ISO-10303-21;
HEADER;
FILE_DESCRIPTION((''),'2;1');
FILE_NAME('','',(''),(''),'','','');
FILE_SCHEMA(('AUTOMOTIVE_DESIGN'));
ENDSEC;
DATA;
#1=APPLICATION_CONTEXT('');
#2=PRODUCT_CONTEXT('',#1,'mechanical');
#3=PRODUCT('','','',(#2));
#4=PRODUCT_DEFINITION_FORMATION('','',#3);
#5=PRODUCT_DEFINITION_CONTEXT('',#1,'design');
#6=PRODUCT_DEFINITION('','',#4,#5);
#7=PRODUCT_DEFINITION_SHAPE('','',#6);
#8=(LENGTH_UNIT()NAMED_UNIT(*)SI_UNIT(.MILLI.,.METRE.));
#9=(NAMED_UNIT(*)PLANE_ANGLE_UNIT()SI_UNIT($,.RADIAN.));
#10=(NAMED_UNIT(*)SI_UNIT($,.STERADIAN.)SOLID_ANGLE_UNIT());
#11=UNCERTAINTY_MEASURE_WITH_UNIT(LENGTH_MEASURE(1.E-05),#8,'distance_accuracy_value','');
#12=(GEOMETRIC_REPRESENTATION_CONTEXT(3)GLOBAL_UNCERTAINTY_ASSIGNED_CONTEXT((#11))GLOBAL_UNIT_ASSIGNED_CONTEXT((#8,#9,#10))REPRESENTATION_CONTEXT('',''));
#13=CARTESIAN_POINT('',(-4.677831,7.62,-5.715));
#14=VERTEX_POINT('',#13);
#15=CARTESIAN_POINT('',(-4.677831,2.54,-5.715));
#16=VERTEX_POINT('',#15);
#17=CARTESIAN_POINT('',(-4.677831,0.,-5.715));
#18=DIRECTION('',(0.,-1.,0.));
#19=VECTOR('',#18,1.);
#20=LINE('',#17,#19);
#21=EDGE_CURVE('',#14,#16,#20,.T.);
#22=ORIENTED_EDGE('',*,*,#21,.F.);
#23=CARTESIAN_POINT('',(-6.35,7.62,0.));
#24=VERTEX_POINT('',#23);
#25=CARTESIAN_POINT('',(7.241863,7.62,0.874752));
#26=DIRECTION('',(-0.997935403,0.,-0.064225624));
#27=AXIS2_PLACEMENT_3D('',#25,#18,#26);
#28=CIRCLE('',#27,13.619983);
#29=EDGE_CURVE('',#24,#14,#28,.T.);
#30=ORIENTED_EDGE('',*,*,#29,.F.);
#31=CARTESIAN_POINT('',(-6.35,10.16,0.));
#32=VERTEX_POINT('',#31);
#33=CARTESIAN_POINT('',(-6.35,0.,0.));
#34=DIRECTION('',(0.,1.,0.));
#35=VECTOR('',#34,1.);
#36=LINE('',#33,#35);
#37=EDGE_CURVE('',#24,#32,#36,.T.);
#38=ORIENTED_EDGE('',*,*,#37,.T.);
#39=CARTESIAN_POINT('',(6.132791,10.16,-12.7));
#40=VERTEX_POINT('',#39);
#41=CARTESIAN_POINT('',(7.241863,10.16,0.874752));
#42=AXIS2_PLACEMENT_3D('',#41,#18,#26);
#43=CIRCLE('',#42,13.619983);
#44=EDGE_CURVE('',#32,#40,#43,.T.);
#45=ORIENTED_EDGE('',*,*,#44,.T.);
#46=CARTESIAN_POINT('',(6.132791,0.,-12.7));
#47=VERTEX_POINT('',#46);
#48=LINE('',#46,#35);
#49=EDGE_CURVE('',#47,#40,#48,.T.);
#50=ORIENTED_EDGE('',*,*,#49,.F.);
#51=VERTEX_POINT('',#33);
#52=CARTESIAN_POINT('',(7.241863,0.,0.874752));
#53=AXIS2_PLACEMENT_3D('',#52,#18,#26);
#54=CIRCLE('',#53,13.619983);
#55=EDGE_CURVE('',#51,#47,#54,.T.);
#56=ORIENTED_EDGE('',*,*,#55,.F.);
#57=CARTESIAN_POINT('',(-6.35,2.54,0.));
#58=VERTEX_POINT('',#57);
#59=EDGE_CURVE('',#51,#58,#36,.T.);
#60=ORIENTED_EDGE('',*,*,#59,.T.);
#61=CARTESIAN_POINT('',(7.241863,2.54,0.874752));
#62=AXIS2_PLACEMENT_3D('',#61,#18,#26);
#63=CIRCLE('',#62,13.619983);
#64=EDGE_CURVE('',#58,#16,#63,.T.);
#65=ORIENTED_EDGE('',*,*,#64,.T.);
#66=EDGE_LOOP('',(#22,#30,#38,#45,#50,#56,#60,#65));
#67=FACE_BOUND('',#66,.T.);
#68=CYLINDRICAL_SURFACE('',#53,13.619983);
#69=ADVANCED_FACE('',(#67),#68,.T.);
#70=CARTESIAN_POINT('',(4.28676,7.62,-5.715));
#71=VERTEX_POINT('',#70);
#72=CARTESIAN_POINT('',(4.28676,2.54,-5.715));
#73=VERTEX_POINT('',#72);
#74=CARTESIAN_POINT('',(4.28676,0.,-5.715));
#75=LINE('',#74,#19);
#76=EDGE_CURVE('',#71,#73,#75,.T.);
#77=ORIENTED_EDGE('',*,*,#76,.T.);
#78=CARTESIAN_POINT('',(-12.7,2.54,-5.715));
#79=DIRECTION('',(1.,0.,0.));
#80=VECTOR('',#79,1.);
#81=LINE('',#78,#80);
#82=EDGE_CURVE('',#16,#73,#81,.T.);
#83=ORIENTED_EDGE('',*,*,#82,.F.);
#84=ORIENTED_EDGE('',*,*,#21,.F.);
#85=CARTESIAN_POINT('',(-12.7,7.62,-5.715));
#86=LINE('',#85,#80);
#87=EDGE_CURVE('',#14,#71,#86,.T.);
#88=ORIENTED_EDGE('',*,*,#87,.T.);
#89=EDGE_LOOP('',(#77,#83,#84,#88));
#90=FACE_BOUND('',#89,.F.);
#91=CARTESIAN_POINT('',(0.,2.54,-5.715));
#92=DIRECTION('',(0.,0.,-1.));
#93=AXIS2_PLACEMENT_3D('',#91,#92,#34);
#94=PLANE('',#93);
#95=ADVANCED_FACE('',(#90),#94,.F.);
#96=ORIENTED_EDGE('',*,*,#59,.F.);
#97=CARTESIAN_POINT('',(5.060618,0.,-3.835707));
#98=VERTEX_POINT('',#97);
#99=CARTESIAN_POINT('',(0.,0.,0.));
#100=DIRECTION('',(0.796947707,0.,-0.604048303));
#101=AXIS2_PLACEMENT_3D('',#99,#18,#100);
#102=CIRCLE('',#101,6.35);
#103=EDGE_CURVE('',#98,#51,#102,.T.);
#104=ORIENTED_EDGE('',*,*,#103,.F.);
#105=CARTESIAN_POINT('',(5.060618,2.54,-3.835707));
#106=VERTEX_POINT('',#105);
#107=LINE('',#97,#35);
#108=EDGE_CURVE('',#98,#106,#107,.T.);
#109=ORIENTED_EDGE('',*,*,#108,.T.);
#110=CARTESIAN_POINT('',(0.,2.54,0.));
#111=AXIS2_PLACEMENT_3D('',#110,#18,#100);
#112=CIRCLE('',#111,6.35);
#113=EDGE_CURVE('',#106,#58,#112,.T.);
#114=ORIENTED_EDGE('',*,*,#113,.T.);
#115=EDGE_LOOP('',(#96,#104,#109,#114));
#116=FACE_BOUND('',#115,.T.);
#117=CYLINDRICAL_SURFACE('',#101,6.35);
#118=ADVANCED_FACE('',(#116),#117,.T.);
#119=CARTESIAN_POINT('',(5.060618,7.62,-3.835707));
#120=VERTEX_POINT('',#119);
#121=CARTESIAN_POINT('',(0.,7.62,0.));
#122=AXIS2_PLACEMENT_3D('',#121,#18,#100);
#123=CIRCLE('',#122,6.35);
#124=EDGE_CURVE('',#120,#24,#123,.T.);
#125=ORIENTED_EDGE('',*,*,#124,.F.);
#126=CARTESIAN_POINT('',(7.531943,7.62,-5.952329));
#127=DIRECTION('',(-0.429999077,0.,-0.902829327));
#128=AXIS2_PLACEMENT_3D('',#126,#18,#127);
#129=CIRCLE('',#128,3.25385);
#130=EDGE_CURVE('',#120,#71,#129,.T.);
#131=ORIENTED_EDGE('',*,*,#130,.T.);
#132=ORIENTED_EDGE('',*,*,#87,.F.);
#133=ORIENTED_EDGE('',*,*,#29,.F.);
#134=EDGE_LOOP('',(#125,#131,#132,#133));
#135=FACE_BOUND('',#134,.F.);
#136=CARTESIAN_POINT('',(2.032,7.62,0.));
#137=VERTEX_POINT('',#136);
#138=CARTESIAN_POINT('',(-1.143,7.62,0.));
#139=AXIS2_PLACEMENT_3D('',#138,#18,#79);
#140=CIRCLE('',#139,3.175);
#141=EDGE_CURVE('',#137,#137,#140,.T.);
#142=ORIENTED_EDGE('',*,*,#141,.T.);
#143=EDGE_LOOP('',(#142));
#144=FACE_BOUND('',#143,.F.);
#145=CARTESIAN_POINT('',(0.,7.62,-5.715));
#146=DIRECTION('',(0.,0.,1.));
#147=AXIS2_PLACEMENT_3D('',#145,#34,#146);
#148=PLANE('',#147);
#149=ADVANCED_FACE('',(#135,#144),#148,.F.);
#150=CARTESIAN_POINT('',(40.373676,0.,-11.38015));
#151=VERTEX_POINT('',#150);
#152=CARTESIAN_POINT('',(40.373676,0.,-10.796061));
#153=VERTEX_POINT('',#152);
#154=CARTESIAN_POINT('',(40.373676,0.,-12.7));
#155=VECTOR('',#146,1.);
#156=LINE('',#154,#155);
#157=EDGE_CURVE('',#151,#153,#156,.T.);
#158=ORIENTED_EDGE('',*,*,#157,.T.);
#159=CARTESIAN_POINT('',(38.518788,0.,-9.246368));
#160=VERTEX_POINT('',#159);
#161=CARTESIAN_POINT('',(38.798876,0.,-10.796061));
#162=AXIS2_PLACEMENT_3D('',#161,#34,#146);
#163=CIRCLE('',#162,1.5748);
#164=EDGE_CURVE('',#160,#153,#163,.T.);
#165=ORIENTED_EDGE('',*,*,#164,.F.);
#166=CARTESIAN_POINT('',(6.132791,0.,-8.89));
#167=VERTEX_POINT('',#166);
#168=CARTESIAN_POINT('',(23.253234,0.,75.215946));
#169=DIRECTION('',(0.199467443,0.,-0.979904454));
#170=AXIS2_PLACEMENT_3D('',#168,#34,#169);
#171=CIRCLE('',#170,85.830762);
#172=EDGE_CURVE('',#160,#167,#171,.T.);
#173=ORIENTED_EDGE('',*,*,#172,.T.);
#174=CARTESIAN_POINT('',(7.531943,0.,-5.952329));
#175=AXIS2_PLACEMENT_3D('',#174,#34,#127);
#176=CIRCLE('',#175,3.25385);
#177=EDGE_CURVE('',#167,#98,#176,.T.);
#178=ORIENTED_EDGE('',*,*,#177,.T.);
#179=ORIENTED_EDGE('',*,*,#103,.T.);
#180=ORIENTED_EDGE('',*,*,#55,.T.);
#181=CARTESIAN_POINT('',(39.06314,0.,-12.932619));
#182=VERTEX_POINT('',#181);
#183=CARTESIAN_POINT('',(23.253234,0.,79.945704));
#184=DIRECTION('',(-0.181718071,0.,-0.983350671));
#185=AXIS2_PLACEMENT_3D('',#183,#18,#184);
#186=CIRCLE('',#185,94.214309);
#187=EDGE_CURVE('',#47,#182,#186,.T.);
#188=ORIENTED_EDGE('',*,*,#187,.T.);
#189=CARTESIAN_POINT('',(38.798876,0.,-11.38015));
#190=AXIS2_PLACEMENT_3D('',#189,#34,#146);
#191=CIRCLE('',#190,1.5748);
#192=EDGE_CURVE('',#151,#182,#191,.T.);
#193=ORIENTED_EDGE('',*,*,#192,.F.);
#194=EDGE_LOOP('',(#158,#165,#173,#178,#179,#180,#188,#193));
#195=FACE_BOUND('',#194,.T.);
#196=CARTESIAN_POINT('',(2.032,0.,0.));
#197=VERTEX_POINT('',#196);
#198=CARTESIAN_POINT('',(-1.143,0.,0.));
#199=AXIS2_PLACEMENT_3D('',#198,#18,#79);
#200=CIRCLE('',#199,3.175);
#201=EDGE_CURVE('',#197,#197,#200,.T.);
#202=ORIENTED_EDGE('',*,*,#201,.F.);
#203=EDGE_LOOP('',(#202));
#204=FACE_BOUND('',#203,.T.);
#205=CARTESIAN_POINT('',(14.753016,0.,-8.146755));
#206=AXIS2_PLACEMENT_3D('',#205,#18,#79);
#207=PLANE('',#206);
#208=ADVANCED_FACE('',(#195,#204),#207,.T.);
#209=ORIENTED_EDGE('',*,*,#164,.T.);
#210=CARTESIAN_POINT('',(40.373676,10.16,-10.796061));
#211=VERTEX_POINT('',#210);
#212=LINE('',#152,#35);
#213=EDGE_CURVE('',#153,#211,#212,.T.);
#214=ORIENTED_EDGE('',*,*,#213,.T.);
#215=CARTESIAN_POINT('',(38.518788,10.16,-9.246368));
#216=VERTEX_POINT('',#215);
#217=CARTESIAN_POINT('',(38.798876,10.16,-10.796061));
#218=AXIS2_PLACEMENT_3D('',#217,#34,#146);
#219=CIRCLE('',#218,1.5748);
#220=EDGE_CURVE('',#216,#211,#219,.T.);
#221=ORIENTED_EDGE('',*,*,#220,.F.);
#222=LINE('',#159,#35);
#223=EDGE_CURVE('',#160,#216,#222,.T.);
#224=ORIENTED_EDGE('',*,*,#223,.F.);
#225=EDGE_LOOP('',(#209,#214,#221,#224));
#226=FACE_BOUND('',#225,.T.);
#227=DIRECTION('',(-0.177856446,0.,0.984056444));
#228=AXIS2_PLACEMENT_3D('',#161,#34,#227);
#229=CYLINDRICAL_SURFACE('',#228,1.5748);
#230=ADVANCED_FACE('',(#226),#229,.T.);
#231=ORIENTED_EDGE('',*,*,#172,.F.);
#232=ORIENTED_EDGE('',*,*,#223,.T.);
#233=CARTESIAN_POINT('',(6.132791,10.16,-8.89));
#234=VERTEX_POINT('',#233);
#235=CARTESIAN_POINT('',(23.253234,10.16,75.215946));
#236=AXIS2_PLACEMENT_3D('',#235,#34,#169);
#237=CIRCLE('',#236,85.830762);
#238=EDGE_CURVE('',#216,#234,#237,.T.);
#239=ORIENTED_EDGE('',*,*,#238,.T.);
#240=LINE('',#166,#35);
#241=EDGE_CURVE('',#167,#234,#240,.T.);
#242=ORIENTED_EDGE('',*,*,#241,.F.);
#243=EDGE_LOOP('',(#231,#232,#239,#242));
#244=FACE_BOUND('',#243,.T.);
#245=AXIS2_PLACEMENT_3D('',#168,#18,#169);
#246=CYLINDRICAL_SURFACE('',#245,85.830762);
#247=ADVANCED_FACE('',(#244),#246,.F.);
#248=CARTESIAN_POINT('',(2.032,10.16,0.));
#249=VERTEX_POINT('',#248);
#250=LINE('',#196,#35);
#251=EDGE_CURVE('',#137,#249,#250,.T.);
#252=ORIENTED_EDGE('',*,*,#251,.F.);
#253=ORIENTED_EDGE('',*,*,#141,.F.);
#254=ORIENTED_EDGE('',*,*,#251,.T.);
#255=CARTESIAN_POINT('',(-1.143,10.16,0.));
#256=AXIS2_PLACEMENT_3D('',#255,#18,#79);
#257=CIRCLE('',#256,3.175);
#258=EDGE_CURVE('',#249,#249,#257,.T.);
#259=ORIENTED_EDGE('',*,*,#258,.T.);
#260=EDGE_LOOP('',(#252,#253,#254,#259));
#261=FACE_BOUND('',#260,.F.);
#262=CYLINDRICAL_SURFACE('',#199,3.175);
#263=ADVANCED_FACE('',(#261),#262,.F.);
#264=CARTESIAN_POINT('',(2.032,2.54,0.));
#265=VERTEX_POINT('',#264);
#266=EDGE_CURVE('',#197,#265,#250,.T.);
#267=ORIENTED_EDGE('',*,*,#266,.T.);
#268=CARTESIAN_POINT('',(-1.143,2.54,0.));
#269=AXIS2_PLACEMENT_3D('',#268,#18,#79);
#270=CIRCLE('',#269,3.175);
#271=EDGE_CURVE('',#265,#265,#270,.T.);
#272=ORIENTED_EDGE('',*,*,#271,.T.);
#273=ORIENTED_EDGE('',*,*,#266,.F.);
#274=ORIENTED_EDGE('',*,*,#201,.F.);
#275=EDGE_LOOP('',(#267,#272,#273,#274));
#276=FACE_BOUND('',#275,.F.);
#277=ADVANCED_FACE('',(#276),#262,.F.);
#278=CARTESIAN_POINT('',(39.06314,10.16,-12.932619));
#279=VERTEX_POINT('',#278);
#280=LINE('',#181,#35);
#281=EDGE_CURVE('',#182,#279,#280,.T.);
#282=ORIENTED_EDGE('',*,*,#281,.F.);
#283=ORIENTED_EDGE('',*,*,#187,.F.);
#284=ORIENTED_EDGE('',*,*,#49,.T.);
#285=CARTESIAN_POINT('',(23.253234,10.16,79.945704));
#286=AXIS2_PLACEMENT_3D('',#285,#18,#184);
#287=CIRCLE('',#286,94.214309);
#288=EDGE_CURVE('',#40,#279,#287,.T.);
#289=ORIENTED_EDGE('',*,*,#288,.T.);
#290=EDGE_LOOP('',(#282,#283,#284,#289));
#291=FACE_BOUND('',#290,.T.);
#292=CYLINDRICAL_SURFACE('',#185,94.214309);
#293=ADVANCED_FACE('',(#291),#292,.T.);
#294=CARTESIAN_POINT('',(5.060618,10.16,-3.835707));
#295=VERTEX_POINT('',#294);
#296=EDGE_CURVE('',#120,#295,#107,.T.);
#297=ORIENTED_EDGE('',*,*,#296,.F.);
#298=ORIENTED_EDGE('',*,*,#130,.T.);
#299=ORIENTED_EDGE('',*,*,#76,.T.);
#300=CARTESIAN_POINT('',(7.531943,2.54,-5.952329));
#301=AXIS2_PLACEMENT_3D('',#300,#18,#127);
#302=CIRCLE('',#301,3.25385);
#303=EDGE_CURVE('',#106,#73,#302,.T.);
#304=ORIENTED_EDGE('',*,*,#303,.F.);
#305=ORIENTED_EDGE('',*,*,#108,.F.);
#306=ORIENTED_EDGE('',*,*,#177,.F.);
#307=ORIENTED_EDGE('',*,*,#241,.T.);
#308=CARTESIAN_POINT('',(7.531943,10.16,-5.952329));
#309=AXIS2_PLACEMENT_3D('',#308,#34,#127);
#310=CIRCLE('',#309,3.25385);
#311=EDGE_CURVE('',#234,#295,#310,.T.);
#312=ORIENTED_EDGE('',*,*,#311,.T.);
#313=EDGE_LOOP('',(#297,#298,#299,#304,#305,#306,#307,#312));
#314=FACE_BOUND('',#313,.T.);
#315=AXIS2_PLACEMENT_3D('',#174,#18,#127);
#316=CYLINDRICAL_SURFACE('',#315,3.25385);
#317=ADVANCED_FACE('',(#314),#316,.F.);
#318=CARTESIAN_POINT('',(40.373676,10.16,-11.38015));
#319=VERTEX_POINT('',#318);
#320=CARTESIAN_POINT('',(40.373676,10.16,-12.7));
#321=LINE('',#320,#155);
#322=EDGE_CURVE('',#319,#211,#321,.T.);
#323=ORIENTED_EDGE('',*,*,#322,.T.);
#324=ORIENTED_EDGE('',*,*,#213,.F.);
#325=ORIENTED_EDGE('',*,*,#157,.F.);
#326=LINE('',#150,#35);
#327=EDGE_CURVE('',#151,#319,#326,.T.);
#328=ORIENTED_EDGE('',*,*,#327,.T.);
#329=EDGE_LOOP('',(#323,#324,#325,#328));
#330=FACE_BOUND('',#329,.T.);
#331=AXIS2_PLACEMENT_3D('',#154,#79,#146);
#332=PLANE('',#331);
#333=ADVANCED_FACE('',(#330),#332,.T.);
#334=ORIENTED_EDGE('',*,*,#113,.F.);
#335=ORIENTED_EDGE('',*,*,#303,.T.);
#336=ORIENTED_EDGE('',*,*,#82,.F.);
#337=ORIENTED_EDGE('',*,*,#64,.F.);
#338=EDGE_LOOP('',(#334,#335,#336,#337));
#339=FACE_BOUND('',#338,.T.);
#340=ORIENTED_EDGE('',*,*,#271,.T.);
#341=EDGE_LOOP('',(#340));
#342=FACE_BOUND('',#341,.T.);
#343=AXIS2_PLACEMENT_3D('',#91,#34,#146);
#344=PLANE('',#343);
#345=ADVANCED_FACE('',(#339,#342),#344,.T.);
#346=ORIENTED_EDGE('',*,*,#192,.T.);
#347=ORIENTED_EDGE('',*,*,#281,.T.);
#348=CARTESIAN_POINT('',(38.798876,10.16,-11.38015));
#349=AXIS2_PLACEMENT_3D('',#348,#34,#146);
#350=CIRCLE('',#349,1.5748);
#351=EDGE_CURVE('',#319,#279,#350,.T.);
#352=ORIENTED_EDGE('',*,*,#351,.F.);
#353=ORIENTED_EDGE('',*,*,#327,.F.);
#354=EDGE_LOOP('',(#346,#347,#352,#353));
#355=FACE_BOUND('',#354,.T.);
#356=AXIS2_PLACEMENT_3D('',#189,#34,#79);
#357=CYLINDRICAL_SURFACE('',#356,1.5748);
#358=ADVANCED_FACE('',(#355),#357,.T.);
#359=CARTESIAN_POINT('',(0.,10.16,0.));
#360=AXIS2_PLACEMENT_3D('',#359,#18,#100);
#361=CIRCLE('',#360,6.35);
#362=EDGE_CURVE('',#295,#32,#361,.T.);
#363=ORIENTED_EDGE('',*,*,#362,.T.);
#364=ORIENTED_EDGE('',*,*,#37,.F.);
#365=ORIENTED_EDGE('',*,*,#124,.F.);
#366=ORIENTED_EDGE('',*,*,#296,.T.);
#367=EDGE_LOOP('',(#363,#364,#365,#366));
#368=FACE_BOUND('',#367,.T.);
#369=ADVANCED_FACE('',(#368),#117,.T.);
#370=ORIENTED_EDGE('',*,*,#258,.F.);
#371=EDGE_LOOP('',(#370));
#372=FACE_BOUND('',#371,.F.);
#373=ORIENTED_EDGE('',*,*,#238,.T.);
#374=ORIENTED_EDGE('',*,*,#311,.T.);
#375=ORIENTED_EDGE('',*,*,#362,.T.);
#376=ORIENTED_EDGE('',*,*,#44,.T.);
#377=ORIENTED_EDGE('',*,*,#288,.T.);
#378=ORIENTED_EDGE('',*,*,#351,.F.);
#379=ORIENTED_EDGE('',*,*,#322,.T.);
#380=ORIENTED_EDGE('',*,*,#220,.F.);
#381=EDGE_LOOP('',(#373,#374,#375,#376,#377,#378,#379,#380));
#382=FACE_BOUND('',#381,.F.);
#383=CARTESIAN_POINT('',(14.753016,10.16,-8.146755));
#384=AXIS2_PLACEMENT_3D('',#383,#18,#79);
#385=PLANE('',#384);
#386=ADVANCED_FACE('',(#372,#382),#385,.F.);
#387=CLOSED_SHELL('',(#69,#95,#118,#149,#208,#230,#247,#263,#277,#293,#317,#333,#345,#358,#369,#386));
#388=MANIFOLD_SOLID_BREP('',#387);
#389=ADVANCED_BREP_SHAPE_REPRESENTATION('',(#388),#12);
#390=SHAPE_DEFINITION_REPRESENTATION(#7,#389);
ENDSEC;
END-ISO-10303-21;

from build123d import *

# Parameters (mm, degrees)
F0_R     = 3.175
F1_DEPTH = 10.16
F2_W     = 5.08
F2_H     = 13.335
F3_DEPTH = 12.7
F4_R     = 1.5748


with BuildPart() as f1:
    # F0 (on Front) → F1 (new body)
    with BuildSketch(Plane.XZ):
        with BuildLine():
            ThreePointArc((6.132791, -8.89), (4.348923, -6.627547), (5.060618, -3.835707))
            ThreePointArc((5.060618, -3.835707), (2.023311, 6.019029), (-6.35, 0))
            ThreePointArc((-6.35, 0), (-2.471626, -8.672607), (6.132791, -12.7))
            ThreePointArc((6.132791, -12.7), (23.253233, -14.268605), (40.373676, -12.7))
            Line((40.373676, -12.7), (40.373676, -8.89))
            ThreePointArc((40.373676, -8.89), (23.253233, -10.614816), (6.132791, -8.89))
        make_face()
        with Locations((-1.143, 0)):
            Circle(F0_R, mode=Mode.SUBTRACT)
    extrude(amount=-F1_DEPTH)

    # F2 (on Right) → F3 (cut, symmetric)
    with BuildSketch(Plane.YZ):
        with Locations((5.08, 0.9525)):
            Rectangle(F2_W, F2_H)
    extrude(amount=F3_DEPTH, both=True, mode=Mode.SUBTRACT)

    # F4
    f4_edges = [f1.edges().sort_by_distance(p)[0] for p in [
        (40.373676, 5.08, -8.89),
        (40.373676, 5.08, -12.7),
    ]]
    fillet(f4_edges, radius=F4_R)


solid = f1.part
